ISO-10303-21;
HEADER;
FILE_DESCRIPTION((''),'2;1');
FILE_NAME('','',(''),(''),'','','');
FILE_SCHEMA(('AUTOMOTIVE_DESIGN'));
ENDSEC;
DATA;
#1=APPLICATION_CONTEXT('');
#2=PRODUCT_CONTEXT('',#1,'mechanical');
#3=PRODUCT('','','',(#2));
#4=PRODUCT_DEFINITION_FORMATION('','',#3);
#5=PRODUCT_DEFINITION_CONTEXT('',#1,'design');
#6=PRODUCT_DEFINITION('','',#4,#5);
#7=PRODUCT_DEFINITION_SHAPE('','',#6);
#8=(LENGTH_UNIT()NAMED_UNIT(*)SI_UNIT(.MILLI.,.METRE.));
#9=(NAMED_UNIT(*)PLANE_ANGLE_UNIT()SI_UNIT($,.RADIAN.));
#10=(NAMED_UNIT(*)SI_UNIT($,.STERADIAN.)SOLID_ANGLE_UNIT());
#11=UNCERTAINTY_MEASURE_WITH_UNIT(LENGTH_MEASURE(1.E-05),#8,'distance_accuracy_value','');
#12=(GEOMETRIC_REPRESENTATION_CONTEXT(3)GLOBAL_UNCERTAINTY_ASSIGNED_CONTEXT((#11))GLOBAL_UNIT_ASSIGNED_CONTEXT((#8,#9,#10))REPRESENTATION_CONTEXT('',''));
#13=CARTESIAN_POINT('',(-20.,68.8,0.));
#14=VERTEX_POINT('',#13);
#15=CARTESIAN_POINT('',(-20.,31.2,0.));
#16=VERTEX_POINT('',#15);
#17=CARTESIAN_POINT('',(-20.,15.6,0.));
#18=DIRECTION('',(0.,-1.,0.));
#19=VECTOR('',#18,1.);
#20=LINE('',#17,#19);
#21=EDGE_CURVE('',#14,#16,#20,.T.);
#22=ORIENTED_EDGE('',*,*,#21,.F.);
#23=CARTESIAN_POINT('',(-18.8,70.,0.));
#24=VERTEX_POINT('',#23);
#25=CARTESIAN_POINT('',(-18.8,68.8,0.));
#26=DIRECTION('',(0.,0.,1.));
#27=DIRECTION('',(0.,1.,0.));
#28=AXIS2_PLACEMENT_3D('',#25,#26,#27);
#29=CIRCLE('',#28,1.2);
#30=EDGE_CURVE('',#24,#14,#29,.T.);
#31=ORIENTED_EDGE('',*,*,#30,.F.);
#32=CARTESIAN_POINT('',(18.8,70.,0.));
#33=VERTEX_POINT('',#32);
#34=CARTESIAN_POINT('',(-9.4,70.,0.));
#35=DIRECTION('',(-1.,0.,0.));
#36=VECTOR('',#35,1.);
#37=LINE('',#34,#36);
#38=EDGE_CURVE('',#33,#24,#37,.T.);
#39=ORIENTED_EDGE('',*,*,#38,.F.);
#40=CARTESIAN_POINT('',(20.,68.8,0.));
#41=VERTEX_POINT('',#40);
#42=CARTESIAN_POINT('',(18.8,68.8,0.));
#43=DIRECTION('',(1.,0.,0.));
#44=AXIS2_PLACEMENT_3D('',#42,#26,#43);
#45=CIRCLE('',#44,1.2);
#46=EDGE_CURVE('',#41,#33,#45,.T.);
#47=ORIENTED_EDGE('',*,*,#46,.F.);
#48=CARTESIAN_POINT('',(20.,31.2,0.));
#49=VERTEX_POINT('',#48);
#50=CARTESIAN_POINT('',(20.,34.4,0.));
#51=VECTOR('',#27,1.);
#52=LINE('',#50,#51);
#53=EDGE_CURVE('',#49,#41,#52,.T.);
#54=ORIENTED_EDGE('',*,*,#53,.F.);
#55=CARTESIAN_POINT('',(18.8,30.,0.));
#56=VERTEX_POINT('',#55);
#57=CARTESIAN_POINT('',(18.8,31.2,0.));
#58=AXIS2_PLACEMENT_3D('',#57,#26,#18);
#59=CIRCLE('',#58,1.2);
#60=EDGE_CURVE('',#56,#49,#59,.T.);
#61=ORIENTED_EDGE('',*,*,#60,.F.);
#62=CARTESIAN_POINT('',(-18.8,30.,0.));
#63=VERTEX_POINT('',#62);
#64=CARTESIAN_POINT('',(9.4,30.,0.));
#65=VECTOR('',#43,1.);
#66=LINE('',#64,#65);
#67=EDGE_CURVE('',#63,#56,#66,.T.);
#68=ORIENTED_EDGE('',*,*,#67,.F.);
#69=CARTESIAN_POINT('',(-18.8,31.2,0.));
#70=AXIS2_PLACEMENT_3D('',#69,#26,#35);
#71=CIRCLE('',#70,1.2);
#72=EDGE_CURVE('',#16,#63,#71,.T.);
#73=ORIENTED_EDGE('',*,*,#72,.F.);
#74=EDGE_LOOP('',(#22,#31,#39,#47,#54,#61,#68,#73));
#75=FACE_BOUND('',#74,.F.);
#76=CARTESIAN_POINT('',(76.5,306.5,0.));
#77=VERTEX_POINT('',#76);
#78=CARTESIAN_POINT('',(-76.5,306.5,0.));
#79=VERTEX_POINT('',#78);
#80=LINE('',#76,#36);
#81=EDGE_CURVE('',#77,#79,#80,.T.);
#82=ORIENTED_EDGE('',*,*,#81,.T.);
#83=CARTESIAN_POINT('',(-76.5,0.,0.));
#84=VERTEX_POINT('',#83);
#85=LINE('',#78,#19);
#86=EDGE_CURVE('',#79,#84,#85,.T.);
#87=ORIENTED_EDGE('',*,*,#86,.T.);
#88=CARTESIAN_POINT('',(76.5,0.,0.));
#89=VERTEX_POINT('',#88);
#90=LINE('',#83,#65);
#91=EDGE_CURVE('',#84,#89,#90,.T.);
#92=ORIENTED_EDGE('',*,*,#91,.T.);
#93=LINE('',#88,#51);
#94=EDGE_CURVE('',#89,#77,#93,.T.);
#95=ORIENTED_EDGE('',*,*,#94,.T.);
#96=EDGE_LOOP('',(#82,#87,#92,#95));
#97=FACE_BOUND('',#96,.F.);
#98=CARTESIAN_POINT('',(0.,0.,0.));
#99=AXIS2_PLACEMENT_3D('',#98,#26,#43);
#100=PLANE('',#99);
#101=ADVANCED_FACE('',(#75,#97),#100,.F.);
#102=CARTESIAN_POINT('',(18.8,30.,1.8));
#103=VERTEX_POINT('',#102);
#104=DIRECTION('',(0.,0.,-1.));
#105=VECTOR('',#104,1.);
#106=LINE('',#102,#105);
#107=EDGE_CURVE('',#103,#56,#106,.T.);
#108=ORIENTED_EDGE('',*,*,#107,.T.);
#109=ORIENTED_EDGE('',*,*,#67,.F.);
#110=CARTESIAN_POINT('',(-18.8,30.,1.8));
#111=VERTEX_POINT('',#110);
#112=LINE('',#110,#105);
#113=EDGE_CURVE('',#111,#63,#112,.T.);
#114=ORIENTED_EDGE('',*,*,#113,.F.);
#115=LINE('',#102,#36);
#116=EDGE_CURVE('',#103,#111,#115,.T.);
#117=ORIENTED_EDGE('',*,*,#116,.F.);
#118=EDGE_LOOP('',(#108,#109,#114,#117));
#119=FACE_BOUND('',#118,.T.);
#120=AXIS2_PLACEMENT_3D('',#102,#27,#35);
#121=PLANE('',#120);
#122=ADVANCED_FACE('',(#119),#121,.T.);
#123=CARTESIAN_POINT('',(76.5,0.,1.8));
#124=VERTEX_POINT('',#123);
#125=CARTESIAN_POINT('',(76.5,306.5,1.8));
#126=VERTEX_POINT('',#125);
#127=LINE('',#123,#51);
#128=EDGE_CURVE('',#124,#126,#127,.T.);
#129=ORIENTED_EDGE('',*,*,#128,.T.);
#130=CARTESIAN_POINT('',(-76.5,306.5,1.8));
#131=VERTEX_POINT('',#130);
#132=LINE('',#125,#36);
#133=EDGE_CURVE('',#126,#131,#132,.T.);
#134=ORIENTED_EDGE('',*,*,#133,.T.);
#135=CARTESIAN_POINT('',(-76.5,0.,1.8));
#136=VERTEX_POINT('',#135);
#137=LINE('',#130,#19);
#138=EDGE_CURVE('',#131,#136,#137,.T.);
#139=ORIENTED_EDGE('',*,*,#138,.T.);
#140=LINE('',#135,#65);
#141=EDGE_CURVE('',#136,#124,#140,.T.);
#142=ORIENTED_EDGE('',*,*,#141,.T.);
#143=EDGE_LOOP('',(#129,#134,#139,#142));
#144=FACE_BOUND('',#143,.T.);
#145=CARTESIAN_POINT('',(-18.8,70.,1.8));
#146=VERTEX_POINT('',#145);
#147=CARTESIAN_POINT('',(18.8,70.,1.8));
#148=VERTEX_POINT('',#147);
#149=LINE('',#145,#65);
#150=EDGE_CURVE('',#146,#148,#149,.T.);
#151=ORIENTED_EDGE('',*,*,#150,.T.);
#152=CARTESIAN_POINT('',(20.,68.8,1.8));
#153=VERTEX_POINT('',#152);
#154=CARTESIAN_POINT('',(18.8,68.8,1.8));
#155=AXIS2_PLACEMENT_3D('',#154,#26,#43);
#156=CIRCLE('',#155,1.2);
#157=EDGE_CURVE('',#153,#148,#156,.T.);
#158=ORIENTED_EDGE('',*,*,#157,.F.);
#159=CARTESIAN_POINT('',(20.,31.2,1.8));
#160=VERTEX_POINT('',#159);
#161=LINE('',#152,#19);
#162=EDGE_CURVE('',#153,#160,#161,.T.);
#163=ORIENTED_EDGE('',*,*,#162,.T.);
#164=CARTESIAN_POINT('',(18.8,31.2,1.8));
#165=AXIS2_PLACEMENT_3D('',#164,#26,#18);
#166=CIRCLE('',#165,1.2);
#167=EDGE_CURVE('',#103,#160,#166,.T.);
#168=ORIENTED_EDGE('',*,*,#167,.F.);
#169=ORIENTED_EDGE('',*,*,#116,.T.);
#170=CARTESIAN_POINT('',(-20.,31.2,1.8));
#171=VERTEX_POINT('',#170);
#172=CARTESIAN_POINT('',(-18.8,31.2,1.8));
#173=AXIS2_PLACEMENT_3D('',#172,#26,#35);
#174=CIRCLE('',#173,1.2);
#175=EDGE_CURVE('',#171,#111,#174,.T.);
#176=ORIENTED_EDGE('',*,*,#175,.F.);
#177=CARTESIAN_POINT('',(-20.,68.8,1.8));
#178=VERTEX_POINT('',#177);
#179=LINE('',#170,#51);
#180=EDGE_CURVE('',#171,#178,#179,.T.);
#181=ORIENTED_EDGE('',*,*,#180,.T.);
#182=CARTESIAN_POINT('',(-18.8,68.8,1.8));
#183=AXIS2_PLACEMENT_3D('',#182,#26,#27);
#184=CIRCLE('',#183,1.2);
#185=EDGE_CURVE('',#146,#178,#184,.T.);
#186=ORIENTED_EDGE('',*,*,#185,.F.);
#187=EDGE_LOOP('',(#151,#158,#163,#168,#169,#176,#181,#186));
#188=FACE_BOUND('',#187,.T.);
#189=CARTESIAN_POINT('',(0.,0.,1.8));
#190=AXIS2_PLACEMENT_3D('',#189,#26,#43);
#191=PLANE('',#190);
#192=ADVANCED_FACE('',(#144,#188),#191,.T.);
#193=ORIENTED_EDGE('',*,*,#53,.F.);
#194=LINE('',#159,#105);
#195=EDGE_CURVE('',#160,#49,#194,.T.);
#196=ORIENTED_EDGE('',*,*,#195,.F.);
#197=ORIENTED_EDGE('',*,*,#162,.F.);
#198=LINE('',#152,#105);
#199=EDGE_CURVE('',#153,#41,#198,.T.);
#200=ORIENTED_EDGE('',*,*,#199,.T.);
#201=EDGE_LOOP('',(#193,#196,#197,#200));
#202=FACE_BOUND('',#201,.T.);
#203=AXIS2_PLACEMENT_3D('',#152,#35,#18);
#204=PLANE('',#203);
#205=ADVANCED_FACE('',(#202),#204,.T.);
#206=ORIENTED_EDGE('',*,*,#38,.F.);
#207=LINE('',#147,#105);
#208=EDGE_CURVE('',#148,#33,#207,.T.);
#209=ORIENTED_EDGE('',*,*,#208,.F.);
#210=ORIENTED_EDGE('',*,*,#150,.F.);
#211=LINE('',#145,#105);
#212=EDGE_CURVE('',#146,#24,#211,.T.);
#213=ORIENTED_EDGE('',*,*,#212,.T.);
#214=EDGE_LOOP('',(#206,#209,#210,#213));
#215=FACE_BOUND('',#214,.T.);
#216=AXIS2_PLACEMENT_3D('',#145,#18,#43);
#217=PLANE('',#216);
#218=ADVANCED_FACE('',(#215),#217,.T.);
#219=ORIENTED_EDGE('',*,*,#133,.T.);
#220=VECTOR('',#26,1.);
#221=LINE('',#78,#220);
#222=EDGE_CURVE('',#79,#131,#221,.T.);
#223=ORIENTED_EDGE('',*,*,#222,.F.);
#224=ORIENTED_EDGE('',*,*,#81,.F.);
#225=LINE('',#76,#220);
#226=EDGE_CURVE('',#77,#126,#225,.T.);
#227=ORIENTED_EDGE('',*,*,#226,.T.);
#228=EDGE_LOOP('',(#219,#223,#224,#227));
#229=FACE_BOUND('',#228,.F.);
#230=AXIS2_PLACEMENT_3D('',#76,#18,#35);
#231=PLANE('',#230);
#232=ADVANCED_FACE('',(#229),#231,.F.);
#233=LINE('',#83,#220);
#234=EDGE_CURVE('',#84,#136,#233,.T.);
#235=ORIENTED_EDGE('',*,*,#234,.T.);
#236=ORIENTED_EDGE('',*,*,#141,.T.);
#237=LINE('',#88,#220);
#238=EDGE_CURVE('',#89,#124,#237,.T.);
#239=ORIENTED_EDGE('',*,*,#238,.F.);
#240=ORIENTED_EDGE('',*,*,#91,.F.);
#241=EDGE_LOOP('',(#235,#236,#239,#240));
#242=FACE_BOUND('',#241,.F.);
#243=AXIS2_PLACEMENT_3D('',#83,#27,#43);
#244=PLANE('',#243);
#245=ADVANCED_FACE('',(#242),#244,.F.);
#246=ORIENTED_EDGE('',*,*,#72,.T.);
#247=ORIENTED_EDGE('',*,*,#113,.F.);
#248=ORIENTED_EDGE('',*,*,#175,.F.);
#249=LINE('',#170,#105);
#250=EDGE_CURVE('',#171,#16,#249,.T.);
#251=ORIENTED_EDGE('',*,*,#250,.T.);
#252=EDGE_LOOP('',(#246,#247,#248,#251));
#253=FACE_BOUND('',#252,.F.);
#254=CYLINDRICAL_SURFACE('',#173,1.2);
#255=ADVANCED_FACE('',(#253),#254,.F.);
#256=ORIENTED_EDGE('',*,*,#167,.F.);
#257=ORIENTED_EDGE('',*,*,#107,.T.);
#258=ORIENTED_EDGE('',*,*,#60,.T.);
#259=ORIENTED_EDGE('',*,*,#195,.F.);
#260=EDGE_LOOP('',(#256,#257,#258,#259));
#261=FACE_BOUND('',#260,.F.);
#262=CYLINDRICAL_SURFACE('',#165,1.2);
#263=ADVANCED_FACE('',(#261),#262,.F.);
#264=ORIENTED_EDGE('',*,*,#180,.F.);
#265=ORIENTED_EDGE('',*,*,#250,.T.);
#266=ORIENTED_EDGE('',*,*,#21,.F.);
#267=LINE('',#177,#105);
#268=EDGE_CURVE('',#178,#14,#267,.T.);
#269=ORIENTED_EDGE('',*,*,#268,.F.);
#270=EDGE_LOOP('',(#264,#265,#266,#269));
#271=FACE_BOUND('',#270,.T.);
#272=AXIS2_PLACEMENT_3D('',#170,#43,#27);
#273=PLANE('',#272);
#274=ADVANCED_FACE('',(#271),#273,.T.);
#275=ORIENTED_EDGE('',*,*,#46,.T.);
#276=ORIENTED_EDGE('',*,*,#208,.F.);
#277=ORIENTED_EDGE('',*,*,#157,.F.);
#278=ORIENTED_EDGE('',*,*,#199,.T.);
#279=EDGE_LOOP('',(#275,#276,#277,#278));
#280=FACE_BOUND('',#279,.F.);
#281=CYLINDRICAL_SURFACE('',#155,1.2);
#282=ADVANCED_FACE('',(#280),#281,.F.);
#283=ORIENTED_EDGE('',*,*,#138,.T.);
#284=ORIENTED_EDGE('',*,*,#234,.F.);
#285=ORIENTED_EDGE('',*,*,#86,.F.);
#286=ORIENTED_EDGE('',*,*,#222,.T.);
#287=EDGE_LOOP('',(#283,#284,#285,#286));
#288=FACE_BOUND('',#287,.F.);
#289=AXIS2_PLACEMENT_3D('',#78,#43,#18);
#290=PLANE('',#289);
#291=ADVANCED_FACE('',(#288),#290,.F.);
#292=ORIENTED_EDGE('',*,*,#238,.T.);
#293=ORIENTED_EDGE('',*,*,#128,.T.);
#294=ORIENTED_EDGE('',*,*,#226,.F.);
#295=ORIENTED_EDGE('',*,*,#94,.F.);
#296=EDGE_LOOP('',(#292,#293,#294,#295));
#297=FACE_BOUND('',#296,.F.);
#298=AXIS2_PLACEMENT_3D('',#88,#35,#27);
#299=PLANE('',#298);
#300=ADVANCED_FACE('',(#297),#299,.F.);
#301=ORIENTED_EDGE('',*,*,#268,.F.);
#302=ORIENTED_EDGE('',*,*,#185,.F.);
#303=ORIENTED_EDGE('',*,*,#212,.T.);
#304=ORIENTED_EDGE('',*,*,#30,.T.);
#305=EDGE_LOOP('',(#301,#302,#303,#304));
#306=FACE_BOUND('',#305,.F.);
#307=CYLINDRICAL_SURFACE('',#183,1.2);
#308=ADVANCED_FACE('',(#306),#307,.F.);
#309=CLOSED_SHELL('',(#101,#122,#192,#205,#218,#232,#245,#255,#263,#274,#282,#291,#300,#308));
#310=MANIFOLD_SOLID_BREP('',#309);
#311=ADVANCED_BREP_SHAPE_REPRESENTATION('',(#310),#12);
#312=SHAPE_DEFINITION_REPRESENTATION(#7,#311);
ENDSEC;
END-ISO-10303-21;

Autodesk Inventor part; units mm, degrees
ref_plane "YZ Plane" through (0, 0, 0) normal (1, 0, 0) x (0, 1, 0)
ref_plane "XZ Plane" through (0, 0, 0) normal (0, 1, 0) x (-1, 0, 0)
ref_plane "XY Plane" through (0, 0, 0) normal (0, 0, 1) x (1, 0, 0)
sketch "Skizze1" plane through (0, 0, 0) normal (0, 0, 1) x (1, 0, 0)
  line L0 (-76.5, 0) -> (76.5, 0)
  line L1 (76.5, 0) -> (76.5, 306.5)
  line L2 (76.5, 306.5) -> (-76.5, 306.5)
  line L3 (-76.5, 306.5) -> (-76.5, 0)
  line L4 (75, 306.5) -> (75, 0) construction
  line L5 (-75, 0) -> (-75, 306.5) construction
  line L6 (-76.5, 305) -> (76.5, 305) construction
  point P0 (0, 0)
  point P1 (0, 0)
  point P2 (-75, 305)
  point P3 (75, 305)
  dimension "d2" = 1.5
  dimension "d3" = 1.5
  dimension "d4" = 1.5
  dimension "d5" = 150
  dimension "d6" = 305
extrude "Bodenplatte" add sketch "Skizze1" along normal blind 1.8
sketch "Skizze6" plane through (0, 0, 1.8) normal (0, 0, 1) x (1, 0, 0)
  line L0 (-76.5, 306.5) -> (-76.5, 0) construction
  line L1 (-76.5, 0) -> (76.5, 0) construction
  line L2 (76.5, 0) -> (76.5, 306.5) construction
  line L3 (76.5, 306.5) -> (-76.5, 306.5) construction
  line L4 (-76.5, 306.5) -> (-76.5, 0) construction
  line L5 (-18.8, 70) -> (18.8, 70)
  line L6 (20, 68.8) -> (20, 31.2)
  line L7 (18.8, 30) -> (-18.8, 30)
  line L8 (-20, 31.2) -> (-20, 68.8)
  line L9 (0, 0) -> (0, 306.5) construction
  line L10 (76.5, 306.5) -> (-76.5, 306.5) construction
  arc A0 (20, 68.8) -> (18.8, 70) centre (18.8, 68.8) ccw
  arc A1 (-18.8, 70) -> (-20, 68.8) centre (-18.8, 68.8) ccw
  arc A2 (-20, 31.2) -> (-18.8, 30) centre (-18.8, 31.2) ccw
  arc A3 (18.8, 30) -> (20, 31.2) centre (18.8, 31.2) ccw
  point P0 (20, 30)
  point P1 (20, 70)
  point P2 (-20, 30)
  point P3 (0, 30)
  dimension "d18" = 40
  dimension "d19" = 40
  dimension "d20" = 30
  dimension "d21" = 1.2
  dimension "d22" = 1.2
  dimension "d23" = 1.2
  dimension "d24" = 1.2
extrude "Extrusion5" cut sketch "Skizze6" against normal up to next
properties part number "Koffer_dach"
